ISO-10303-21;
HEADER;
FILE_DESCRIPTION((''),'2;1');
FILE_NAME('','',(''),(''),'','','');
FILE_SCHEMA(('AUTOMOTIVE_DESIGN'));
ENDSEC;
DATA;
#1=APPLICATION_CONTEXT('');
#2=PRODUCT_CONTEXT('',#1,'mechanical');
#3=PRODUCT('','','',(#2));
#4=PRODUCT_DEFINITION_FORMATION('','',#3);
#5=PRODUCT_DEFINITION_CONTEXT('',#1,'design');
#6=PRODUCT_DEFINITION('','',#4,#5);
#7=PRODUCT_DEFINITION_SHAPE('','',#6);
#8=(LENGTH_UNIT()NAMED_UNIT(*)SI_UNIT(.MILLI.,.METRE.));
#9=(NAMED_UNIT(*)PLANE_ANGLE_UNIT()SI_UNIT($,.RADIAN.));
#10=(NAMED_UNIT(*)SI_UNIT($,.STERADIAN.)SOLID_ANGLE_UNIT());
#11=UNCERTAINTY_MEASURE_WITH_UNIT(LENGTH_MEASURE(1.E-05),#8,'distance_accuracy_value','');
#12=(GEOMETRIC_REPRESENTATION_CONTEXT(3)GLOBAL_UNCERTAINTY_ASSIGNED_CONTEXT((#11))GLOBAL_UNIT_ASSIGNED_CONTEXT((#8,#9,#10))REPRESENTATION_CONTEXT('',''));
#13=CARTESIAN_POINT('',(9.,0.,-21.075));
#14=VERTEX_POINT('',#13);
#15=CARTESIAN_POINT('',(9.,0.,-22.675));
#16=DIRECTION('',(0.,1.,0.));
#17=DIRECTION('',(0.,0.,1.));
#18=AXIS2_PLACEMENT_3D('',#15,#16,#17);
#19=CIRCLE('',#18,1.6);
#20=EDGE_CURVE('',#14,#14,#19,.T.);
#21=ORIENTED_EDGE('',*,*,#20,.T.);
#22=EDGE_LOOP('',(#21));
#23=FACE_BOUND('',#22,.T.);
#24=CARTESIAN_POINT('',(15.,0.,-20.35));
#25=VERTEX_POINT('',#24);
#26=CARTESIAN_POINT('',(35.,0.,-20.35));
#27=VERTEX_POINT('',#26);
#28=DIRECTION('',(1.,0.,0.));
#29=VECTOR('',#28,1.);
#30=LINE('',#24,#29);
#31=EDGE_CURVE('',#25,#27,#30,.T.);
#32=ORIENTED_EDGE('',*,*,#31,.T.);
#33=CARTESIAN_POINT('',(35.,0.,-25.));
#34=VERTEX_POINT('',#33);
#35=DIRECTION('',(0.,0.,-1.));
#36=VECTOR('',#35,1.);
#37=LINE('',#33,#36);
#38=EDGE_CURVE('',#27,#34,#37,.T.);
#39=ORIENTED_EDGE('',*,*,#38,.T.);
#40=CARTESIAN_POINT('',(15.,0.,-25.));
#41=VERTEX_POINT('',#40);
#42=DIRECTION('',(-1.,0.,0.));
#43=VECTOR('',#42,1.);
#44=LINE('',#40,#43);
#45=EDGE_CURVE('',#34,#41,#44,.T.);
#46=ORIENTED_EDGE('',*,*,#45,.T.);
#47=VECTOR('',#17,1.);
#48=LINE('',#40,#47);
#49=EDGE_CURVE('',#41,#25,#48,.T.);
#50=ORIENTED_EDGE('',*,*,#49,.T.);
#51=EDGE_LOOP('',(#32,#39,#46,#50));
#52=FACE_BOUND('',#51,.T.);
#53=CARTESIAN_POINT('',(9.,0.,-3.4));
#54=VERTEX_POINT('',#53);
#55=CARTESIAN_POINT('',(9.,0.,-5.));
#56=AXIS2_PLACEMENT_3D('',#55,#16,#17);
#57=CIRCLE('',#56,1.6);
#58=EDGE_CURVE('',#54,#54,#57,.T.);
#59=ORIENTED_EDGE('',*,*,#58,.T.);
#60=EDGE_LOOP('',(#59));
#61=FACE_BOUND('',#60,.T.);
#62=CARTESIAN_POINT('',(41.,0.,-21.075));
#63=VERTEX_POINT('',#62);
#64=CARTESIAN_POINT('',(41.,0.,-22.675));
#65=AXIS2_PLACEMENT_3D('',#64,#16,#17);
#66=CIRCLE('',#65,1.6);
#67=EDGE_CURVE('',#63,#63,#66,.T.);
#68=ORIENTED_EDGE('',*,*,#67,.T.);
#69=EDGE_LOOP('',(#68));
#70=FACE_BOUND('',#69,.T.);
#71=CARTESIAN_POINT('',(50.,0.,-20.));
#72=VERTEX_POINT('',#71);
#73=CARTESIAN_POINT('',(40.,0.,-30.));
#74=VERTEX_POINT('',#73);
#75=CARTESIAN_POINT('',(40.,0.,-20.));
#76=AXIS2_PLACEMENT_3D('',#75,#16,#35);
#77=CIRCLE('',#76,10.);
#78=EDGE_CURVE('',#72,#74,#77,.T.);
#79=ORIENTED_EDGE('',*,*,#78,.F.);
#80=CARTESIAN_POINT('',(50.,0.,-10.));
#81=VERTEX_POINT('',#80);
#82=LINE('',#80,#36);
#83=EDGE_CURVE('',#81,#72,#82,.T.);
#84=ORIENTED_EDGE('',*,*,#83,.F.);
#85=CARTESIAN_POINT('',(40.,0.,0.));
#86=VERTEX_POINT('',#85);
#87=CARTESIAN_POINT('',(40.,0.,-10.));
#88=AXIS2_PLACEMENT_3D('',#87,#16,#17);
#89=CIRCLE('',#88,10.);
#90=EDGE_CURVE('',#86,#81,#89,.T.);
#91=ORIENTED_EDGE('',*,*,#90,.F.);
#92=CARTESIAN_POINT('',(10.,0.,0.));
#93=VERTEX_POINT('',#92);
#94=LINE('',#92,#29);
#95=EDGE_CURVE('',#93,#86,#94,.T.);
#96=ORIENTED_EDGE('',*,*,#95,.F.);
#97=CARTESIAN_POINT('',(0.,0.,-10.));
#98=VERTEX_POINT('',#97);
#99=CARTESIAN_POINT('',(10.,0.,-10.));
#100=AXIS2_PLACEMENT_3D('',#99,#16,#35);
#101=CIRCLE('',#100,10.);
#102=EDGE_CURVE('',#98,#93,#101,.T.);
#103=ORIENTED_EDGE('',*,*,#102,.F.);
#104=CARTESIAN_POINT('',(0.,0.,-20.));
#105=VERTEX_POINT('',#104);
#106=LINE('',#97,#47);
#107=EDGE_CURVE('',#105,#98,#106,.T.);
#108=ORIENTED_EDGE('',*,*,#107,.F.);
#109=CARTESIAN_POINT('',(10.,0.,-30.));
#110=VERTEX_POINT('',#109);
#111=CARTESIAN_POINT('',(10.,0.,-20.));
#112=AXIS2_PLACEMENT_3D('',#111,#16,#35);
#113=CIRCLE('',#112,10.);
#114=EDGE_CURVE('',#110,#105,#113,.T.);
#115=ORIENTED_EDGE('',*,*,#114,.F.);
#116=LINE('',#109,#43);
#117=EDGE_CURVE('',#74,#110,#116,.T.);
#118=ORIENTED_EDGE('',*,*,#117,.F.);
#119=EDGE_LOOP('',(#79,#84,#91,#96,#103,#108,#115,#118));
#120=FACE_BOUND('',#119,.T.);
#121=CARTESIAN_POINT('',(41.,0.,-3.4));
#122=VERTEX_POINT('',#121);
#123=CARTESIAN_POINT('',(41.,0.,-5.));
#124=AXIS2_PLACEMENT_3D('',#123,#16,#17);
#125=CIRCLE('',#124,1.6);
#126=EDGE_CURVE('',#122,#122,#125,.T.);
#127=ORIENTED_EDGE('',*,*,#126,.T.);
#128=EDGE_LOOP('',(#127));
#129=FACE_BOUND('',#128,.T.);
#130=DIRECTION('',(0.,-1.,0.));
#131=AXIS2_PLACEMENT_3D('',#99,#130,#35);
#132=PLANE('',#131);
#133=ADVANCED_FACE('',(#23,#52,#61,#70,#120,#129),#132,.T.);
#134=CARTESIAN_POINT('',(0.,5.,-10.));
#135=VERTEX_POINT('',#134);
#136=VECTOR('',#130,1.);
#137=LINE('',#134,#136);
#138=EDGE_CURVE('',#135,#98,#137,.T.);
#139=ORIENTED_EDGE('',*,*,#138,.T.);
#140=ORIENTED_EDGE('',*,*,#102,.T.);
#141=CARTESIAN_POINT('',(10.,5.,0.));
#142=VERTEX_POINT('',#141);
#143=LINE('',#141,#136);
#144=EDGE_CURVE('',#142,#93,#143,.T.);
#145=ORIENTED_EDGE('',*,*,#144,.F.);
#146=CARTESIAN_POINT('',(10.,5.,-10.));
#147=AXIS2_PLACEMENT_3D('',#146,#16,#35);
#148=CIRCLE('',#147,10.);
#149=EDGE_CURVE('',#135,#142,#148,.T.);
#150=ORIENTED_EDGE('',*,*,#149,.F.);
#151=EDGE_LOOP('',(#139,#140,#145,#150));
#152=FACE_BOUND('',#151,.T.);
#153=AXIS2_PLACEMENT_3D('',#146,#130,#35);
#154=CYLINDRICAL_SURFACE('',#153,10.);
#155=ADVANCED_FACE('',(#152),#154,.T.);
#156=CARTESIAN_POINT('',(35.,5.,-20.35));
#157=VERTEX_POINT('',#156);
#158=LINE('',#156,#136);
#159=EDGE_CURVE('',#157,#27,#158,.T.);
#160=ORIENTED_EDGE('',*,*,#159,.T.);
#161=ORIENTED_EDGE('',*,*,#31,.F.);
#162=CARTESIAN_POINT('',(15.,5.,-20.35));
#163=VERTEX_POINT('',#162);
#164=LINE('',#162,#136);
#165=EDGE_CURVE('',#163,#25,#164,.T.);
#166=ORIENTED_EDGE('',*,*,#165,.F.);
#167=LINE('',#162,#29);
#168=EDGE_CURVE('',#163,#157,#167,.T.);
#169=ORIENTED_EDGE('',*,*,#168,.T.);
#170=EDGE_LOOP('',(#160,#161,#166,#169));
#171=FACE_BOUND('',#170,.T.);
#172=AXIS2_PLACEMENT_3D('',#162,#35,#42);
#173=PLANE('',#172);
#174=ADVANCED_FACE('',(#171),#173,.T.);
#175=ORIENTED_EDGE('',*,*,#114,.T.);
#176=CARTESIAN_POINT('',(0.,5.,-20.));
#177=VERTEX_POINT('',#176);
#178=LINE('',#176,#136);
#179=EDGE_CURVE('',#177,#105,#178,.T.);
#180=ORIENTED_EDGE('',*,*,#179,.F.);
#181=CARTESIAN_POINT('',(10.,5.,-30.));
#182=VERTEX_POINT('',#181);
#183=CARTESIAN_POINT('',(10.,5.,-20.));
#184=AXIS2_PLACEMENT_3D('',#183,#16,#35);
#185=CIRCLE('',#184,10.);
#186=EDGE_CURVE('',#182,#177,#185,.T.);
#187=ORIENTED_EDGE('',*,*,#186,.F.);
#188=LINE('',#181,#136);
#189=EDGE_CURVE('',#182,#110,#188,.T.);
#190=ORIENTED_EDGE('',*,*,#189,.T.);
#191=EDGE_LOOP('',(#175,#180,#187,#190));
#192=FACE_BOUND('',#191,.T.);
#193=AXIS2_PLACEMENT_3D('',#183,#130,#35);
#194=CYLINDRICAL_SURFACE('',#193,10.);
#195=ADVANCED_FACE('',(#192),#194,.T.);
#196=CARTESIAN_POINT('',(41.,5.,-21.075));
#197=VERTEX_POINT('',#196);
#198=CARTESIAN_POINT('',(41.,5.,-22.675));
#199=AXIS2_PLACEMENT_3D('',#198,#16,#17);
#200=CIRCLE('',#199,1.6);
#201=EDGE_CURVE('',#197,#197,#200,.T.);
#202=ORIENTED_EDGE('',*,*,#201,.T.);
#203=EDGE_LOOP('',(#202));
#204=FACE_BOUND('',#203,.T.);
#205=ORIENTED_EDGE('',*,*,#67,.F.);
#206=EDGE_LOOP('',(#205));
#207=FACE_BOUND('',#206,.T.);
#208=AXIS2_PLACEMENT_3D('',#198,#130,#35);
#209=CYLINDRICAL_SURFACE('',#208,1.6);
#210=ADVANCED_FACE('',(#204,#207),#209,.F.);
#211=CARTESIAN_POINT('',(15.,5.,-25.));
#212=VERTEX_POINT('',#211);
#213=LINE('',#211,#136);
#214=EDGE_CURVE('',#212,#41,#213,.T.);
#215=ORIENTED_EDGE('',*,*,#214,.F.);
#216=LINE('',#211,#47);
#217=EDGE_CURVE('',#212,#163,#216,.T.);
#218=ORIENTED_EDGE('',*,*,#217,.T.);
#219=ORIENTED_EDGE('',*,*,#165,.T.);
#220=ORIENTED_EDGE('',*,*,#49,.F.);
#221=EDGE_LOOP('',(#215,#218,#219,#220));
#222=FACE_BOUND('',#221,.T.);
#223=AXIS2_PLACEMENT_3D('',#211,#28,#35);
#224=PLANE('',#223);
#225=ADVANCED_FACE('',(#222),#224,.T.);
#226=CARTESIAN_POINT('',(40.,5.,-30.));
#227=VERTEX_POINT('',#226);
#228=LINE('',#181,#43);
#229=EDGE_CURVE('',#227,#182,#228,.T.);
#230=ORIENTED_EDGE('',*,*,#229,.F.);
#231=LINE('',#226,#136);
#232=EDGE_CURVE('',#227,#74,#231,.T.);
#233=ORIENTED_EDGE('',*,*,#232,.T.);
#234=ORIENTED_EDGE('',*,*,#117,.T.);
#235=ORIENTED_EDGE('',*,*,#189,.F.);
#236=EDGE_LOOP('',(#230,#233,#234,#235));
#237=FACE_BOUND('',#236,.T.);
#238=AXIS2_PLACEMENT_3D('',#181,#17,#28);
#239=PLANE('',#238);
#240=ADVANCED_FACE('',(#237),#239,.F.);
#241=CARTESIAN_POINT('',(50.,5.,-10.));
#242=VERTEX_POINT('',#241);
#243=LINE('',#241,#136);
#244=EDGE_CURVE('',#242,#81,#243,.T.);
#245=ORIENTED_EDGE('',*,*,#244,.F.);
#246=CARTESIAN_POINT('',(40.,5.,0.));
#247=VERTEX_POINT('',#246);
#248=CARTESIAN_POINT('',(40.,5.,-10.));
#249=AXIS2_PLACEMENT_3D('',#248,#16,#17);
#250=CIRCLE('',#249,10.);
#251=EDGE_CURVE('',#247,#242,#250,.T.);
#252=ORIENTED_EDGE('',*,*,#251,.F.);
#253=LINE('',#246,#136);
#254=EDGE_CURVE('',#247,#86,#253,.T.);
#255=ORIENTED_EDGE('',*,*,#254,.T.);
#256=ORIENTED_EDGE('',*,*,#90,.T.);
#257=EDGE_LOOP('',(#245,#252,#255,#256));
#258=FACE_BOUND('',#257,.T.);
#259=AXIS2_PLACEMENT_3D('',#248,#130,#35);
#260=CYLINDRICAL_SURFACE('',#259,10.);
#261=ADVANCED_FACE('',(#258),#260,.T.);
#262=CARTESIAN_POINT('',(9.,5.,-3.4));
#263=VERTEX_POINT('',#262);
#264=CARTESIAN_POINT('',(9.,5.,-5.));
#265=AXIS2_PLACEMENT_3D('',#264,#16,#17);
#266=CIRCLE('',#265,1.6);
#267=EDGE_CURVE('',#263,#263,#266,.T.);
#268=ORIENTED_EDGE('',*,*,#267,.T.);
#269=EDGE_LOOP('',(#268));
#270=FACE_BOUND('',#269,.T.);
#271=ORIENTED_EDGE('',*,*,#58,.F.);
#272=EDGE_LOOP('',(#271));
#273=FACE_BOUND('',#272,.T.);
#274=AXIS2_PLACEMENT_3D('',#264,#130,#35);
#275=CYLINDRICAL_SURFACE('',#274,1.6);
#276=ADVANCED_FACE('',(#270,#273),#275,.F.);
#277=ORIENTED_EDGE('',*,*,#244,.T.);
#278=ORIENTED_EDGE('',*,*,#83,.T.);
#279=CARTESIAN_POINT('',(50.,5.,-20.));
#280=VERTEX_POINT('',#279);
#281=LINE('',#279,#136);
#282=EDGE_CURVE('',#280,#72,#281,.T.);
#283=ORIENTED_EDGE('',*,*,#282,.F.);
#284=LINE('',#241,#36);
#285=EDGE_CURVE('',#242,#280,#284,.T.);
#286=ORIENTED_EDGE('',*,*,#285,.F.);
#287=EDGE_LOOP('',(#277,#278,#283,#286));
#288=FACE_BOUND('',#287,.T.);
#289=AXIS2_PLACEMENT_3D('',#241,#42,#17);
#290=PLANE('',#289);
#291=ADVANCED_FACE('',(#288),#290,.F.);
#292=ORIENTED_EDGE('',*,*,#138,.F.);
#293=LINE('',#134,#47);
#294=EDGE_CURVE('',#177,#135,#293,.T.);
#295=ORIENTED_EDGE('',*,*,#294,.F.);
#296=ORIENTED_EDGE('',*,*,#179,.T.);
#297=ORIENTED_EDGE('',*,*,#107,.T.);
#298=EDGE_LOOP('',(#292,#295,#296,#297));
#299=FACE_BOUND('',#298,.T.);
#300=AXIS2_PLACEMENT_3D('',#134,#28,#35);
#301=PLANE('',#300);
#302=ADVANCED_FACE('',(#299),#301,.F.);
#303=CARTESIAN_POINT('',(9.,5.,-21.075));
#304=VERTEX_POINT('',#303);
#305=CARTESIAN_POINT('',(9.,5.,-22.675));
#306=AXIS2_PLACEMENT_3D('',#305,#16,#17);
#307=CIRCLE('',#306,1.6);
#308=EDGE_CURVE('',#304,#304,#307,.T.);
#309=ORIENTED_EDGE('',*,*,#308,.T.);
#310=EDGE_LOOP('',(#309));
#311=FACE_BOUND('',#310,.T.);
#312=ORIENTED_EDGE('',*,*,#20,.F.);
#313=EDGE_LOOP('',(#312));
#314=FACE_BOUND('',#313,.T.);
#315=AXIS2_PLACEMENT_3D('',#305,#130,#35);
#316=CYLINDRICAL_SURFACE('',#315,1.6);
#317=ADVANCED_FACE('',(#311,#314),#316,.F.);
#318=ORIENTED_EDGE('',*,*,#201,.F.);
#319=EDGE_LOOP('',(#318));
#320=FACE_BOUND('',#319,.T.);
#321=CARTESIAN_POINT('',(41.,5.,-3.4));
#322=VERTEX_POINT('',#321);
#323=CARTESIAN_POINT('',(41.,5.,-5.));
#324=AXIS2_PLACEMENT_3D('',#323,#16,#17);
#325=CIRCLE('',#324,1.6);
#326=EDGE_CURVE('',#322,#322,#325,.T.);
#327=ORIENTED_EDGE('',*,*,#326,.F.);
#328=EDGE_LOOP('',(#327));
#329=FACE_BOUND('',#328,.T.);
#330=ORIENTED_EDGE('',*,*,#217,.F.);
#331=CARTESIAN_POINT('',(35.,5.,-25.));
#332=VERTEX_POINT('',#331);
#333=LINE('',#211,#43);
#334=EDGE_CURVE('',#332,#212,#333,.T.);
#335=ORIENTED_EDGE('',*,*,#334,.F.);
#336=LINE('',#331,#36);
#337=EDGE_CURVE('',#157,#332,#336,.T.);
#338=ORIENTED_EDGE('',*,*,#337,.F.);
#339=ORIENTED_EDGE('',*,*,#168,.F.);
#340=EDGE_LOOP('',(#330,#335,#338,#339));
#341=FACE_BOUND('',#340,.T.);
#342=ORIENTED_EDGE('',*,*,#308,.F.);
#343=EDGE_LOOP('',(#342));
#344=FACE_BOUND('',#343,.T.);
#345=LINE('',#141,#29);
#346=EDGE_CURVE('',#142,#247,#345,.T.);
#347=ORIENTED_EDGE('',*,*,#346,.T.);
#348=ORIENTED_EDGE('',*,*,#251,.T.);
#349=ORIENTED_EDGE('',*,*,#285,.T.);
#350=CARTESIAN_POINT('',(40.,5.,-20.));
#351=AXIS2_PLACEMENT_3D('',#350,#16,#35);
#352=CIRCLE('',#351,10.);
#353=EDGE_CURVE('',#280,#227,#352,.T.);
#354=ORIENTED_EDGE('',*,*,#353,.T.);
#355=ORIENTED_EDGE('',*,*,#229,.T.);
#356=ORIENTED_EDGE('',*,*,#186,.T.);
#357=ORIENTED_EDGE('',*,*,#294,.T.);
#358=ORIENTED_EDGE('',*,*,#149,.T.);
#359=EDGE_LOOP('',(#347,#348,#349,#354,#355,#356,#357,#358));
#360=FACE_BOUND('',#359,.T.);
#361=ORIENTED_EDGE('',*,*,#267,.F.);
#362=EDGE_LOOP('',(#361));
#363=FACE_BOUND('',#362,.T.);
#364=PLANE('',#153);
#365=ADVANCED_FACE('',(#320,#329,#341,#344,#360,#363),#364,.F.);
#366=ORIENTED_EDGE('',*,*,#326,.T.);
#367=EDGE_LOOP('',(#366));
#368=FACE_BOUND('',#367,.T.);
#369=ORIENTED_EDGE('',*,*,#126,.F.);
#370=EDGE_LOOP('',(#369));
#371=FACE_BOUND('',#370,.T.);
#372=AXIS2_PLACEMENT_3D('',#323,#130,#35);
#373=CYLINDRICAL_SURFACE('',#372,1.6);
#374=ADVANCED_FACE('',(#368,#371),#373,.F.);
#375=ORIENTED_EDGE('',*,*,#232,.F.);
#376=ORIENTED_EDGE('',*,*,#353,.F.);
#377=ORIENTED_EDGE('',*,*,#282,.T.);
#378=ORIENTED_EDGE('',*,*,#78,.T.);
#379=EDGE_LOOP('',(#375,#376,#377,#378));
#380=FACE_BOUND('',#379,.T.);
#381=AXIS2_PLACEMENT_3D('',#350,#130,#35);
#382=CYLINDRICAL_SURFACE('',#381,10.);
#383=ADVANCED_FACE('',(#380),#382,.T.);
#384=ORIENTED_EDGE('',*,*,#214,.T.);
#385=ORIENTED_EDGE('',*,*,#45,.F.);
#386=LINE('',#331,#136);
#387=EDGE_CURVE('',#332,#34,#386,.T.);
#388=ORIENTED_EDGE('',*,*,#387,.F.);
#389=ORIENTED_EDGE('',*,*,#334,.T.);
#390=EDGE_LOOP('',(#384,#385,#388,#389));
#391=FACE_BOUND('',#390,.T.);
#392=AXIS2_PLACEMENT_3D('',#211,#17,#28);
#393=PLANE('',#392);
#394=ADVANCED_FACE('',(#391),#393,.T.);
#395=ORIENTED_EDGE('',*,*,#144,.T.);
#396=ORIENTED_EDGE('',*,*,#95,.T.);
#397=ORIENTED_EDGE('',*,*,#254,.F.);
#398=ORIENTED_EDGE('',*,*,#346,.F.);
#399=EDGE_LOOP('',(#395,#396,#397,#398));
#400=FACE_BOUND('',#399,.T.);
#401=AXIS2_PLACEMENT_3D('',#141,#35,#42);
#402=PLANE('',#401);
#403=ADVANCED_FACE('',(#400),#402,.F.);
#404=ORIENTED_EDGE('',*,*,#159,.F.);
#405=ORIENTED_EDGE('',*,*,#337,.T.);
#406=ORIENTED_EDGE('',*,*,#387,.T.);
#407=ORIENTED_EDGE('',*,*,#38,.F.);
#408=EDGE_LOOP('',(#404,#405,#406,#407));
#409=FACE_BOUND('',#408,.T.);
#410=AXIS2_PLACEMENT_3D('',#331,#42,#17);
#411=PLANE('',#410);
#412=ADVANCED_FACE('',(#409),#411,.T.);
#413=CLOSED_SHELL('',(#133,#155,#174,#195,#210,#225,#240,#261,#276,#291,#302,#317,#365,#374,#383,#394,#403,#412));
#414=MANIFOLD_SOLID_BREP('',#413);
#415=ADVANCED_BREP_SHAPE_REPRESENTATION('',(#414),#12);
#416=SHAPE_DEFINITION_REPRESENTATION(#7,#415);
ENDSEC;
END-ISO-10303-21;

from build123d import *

# Parameters (mm, degrees)
SKETCH2_R           = 1.6
SKETCH2_W           = 20
SKETCH2_H           = 4.65
BOSS_EXTRUDE1_DEPTH = 5


with BuildPart() as part:
    # Sketch2 → Boss-Extrude1 (new body)
    with BuildSketch(Plane(origin=(0, 0, 0), x_dir=(1, 0, 0), z_dir=(0, 1, 0))):
        with BuildLine():
            Line((10, 0), (40, 0))
            ThreePointArc((40, 0), (47.071067812, 2.928932188), (50, 10))
            Line((50, 10), (50, 20))
            ThreePointArc((50, 20), (47.071067812, 27.071067812), (40, 30))
            Line((40, 30), (10, 30))
            ThreePointArc((10, 30), (2.928932188, 27.071067812), (0, 20))
            Line((0, 20), (0, 10))
            ThreePointArc((0, 10), (2.928932188, 2.928932188), (10, 0))
        make_face()
        with Locations((9, 5)):
            Circle(SKETCH2_R, mode=Mode.SUBTRACT)
        with Locations((41, 5)):
            Circle(SKETCH2_R, mode=Mode.SUBTRACT)
        with Locations((9, 22.675)):
            Circle(SKETCH2_R, mode=Mode.SUBTRACT)
        with Locations((41, 22.675)):
            Circle(SKETCH2_R, mode=Mode.SUBTRACT)
        with Locations((25, 22.675)):
            Rectangle(SKETCH2_W, SKETCH2_H, mode=Mode.SUBTRACT)
    extrude(amount=BOSS_EXTRUDE1_DEPTH)


solid = part.part
